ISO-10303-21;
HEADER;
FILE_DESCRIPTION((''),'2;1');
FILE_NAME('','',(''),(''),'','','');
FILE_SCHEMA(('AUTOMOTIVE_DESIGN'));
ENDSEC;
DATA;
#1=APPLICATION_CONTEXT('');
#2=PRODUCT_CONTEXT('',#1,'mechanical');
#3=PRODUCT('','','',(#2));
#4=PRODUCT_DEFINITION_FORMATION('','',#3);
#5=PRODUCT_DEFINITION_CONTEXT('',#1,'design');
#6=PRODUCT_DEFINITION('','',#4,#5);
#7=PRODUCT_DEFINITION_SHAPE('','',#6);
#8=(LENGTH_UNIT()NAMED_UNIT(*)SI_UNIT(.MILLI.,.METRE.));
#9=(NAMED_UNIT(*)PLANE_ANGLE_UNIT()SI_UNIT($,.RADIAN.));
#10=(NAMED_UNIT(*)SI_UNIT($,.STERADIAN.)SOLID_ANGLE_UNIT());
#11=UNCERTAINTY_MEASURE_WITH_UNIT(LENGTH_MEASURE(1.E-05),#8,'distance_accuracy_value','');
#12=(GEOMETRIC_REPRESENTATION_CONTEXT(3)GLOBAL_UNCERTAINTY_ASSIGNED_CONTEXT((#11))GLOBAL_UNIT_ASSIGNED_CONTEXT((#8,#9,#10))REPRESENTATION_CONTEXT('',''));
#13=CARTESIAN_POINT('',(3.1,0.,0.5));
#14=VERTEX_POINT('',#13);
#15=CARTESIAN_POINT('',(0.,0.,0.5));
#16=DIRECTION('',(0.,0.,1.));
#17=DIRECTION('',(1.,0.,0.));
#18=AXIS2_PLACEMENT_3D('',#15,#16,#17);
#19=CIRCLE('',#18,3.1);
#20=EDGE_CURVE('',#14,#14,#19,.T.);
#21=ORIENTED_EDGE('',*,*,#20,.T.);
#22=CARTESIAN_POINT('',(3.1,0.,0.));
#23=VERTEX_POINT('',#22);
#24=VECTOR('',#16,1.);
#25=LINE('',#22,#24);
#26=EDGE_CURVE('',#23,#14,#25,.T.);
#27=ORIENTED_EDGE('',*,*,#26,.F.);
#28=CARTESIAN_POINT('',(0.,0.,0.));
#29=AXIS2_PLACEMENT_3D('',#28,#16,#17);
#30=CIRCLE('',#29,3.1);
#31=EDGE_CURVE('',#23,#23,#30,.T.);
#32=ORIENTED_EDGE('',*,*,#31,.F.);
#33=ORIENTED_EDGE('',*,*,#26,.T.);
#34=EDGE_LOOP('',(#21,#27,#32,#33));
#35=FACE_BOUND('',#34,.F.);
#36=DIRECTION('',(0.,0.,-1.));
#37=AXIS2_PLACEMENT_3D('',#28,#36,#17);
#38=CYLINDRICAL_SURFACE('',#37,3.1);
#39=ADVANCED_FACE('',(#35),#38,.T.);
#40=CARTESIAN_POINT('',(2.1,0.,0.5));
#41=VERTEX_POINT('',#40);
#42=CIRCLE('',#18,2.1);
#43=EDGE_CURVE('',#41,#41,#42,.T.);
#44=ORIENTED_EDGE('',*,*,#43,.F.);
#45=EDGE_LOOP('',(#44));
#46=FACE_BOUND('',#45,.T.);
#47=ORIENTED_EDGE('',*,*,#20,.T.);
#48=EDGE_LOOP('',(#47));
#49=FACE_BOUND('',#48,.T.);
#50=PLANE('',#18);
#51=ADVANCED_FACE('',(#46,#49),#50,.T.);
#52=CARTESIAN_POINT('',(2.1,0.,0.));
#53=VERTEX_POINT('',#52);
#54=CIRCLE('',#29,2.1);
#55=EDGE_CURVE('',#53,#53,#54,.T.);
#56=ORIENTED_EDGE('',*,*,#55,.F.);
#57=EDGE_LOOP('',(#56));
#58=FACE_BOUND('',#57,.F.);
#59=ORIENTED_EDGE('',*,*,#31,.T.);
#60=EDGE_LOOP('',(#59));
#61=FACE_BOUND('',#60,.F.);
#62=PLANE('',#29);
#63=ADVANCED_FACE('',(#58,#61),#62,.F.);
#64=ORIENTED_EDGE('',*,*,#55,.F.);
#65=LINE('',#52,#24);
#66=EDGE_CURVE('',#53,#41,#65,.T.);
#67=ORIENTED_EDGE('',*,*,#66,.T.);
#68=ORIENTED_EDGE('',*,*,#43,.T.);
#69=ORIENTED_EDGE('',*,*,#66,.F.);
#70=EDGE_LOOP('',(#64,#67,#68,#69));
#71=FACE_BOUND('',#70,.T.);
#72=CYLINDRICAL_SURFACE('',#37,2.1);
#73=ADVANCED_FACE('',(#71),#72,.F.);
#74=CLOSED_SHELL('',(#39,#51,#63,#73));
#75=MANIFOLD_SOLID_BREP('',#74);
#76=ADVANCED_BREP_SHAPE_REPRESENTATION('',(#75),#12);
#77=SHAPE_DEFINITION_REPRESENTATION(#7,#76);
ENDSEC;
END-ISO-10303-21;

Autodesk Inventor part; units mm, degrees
ref_plane "YZ Plane" through (0, 0, 0) normal (1, 0, 0) x (0, 1, 0)
ref_plane "XZ Plane" through (0, 0, 0) normal (0, 1, 0) x (-1, 0, 0)
ref_plane "XY Plane" through (0, 0, 0) normal (0, 0, 1) x (1, 0, 0)
sketch "Skizze1" plane through (0, 0, 0) normal (0, 0, 1) x (1, 0, 0)
  circle A0 centre (0, 0) radius 2.1
  circle A1 centre (0, 0) radius 3.1
  dimension "d0" = 4.2
  dimension "d1" = 1
extrude "Extrusion1" add sketch "Skizze1" along normal blind 0.5
properties part number "BushingPlanetaryGearLeft"
